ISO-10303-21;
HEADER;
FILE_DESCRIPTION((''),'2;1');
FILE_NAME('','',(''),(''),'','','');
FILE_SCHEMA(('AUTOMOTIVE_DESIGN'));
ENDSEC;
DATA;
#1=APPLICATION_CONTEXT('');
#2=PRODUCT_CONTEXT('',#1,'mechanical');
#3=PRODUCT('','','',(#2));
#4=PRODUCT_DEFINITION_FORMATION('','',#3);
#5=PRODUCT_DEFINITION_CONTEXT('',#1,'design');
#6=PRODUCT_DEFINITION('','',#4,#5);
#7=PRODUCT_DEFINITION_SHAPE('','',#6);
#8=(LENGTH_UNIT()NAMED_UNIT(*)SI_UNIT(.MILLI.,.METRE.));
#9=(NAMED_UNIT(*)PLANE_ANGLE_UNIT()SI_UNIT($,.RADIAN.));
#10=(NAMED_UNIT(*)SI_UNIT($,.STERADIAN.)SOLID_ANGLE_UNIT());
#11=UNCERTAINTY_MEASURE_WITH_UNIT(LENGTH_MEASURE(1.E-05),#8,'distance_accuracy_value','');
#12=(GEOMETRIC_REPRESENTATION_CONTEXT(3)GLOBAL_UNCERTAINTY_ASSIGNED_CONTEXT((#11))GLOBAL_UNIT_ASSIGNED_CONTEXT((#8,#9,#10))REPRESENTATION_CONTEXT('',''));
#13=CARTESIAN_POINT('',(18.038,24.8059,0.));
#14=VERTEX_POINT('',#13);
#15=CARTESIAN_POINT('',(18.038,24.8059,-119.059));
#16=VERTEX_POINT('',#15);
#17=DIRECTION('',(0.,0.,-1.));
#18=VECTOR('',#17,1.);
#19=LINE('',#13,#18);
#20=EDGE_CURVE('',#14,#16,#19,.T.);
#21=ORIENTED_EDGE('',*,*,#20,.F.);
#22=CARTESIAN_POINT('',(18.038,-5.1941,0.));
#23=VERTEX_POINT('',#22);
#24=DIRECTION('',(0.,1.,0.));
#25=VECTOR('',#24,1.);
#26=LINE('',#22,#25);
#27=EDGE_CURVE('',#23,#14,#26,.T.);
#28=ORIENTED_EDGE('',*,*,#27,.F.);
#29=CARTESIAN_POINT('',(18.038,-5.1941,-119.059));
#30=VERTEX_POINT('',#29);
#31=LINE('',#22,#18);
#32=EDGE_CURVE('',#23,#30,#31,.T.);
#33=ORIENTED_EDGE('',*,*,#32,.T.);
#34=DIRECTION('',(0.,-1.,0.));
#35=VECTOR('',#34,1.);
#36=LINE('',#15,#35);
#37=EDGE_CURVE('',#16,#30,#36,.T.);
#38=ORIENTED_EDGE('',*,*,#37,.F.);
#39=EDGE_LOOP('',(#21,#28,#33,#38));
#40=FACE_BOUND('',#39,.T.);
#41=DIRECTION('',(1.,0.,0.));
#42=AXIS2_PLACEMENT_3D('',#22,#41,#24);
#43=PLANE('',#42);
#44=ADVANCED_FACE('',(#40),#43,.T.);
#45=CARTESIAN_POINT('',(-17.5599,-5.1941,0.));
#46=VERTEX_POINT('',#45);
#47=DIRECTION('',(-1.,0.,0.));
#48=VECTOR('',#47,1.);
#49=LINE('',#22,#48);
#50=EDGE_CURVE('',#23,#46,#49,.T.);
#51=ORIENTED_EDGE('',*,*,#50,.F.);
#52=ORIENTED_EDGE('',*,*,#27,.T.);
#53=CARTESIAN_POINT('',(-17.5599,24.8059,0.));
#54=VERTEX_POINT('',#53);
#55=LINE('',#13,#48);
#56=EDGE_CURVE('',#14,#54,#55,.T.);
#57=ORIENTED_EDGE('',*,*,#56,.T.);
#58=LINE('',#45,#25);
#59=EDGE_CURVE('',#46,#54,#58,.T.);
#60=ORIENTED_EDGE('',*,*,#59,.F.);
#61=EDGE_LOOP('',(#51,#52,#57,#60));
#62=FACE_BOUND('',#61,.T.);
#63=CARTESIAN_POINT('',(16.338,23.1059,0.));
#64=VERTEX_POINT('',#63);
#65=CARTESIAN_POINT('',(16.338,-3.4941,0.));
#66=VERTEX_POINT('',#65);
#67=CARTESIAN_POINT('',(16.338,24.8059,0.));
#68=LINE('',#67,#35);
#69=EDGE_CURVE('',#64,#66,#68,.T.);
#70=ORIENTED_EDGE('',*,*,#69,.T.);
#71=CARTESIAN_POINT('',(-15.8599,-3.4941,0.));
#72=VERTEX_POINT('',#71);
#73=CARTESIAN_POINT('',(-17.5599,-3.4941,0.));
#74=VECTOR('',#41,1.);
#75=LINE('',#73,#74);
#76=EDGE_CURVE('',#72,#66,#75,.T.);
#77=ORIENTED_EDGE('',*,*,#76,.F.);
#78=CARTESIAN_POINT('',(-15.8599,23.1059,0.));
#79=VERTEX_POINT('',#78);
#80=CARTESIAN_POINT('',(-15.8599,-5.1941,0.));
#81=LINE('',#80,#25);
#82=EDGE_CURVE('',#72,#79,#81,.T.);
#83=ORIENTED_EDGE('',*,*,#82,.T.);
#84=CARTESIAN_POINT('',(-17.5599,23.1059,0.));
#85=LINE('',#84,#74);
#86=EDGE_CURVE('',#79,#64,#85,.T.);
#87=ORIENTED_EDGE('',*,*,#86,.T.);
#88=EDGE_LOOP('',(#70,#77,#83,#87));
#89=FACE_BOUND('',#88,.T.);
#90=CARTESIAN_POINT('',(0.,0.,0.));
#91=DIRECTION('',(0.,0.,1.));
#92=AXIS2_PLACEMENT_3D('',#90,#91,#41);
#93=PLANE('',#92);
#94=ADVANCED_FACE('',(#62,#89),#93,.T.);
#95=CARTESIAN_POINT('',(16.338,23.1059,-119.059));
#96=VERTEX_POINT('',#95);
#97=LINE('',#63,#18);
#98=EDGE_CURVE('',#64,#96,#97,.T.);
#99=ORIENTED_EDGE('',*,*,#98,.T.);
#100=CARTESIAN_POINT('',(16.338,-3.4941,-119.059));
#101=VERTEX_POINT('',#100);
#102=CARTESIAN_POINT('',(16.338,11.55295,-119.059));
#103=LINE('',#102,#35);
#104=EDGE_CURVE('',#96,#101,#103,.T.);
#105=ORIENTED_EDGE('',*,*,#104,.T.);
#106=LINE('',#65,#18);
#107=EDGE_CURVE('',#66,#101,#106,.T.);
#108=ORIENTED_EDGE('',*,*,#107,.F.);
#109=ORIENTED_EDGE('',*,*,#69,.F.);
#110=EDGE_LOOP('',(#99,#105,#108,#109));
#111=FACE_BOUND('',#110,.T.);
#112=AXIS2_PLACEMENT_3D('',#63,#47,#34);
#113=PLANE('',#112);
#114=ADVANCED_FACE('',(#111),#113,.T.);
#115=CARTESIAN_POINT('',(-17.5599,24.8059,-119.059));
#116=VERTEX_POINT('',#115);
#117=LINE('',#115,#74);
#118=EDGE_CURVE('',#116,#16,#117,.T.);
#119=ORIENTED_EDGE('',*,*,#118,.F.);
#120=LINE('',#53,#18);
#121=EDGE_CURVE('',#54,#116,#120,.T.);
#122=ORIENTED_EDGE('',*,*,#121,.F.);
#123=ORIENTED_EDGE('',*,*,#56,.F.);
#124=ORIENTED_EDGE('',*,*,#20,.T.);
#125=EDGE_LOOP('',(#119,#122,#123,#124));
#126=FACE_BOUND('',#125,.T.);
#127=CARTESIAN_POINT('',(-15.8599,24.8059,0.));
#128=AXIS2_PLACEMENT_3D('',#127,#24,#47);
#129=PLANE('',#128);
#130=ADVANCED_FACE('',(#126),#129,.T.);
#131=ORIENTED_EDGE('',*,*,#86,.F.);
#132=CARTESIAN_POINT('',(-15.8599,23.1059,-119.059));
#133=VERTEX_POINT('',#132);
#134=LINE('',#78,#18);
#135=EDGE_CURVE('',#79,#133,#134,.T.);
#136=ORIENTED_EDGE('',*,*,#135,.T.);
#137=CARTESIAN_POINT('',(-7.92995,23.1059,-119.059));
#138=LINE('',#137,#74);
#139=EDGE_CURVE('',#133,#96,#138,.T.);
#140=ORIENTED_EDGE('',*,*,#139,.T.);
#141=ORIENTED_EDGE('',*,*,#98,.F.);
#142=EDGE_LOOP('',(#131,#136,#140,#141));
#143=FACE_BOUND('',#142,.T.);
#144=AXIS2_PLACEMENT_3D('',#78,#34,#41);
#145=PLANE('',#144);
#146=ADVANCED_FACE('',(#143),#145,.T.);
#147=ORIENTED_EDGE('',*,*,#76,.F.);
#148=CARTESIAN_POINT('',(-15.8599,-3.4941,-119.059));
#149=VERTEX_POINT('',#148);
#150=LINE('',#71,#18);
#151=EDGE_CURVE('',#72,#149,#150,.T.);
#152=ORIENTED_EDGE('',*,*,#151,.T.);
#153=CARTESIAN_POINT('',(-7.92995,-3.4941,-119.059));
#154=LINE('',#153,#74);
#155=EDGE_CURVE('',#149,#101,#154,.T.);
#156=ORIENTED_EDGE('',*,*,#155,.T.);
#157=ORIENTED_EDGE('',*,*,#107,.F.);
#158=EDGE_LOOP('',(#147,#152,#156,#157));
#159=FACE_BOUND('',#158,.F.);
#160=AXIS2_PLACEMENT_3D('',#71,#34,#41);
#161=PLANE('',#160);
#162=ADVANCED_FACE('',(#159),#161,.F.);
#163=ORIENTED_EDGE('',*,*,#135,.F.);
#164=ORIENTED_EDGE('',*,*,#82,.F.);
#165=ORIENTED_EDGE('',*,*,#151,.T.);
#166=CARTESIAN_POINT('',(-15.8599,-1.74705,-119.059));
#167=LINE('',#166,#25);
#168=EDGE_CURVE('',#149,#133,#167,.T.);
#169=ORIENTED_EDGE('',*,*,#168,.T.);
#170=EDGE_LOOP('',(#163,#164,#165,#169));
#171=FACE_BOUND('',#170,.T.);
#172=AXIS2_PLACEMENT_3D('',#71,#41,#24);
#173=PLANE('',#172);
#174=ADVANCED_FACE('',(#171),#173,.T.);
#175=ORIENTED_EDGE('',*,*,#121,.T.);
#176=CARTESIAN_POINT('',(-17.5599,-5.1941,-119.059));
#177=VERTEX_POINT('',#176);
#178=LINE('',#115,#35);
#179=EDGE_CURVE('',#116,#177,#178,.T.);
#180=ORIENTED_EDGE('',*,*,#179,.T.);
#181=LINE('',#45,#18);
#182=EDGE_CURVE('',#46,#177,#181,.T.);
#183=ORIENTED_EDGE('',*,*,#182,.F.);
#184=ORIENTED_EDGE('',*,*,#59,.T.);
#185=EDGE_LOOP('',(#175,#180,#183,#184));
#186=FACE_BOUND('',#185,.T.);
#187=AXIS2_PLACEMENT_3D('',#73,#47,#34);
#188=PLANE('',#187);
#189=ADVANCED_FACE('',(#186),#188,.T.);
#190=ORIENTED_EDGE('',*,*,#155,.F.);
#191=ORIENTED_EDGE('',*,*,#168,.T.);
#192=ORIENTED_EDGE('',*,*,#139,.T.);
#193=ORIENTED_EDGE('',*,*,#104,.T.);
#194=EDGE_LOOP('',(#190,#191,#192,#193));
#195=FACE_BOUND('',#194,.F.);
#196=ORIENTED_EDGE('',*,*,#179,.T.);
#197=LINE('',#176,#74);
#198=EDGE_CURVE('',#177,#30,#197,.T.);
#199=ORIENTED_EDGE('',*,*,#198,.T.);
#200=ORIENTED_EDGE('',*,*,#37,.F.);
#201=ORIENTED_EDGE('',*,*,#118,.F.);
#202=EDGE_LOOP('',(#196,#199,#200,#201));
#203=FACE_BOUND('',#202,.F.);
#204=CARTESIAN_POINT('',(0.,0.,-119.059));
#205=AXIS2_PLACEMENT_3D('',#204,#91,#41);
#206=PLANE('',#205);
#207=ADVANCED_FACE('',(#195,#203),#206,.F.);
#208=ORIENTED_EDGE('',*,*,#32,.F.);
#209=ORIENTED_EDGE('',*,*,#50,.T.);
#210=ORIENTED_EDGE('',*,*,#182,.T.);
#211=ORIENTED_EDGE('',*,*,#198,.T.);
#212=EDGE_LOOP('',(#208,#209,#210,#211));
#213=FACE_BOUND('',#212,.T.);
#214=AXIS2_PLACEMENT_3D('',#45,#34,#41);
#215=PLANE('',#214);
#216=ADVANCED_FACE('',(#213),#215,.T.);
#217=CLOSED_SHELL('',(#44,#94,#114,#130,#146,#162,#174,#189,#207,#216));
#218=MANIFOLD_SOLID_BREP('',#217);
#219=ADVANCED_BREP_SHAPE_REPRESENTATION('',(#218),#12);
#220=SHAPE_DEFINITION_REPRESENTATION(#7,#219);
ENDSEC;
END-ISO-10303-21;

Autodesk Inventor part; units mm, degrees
ref_plane "YZ Plane" through (0, 0, 0) normal (1, 0, 0) x (0, 1, 0)
ref_plane "XZ Plane" through (0, 0, 0) normal (0, 1, 0) x (-1, 0, 0)
ref_plane "XY Plane" through (0, 0, 0) normal (0, 0, 1) x (1, 0, 0)
sketch "Sketch1" plane through (0, 0, 0) normal (0, 0, 1) x (1, 0, 0)
  line L0 (-17.5599, -5.1941) -> (18.038, -5.1941)
  line L1 (18.038, -5.1941) -> (18.038, 24.8059)
  line L2 (18.038, 24.8059) -> (-17.5599, 24.8059)
  line L3 (-17.5599, 24.8059) -> (-17.5599, -5.1941)
  line L4 (-17.5599, 23.1059) -> (18.038, 23.1059)
  line L5 (16.338, 24.8059) -> (16.338, -5.1941)
  line L6 (-17.5599, -3.4941) -> (18.038, -3.4941)
  line L7 (-15.8599, -5.1941) -> (-15.8599, 24.8059)
  point P0 (0, 0)
  point P1 (-15.8599, 23.1059)
  point P2 (-15.8599, -3.4941)
  point P3 (16.338, -3.4941)
  point P4 (16.338, 23.1059)
  dimension "d0" = 30
  dimension "d1" = 1.7
  dimension "d2" = 1.7
  dimension "d3" = 1.7
  dimension "d4" = 1.7
extrude "Extrusion1" add sketch "Sketch1" against normal blind 119.059
extrude "Extrusion2" cut sketch "Sketch1" against normal blind 235.08 contours L7 L4 L5 L6
properties part number "Cablecanal Ranurado 30x30 L=235 mm" material "PPS Plastic"
